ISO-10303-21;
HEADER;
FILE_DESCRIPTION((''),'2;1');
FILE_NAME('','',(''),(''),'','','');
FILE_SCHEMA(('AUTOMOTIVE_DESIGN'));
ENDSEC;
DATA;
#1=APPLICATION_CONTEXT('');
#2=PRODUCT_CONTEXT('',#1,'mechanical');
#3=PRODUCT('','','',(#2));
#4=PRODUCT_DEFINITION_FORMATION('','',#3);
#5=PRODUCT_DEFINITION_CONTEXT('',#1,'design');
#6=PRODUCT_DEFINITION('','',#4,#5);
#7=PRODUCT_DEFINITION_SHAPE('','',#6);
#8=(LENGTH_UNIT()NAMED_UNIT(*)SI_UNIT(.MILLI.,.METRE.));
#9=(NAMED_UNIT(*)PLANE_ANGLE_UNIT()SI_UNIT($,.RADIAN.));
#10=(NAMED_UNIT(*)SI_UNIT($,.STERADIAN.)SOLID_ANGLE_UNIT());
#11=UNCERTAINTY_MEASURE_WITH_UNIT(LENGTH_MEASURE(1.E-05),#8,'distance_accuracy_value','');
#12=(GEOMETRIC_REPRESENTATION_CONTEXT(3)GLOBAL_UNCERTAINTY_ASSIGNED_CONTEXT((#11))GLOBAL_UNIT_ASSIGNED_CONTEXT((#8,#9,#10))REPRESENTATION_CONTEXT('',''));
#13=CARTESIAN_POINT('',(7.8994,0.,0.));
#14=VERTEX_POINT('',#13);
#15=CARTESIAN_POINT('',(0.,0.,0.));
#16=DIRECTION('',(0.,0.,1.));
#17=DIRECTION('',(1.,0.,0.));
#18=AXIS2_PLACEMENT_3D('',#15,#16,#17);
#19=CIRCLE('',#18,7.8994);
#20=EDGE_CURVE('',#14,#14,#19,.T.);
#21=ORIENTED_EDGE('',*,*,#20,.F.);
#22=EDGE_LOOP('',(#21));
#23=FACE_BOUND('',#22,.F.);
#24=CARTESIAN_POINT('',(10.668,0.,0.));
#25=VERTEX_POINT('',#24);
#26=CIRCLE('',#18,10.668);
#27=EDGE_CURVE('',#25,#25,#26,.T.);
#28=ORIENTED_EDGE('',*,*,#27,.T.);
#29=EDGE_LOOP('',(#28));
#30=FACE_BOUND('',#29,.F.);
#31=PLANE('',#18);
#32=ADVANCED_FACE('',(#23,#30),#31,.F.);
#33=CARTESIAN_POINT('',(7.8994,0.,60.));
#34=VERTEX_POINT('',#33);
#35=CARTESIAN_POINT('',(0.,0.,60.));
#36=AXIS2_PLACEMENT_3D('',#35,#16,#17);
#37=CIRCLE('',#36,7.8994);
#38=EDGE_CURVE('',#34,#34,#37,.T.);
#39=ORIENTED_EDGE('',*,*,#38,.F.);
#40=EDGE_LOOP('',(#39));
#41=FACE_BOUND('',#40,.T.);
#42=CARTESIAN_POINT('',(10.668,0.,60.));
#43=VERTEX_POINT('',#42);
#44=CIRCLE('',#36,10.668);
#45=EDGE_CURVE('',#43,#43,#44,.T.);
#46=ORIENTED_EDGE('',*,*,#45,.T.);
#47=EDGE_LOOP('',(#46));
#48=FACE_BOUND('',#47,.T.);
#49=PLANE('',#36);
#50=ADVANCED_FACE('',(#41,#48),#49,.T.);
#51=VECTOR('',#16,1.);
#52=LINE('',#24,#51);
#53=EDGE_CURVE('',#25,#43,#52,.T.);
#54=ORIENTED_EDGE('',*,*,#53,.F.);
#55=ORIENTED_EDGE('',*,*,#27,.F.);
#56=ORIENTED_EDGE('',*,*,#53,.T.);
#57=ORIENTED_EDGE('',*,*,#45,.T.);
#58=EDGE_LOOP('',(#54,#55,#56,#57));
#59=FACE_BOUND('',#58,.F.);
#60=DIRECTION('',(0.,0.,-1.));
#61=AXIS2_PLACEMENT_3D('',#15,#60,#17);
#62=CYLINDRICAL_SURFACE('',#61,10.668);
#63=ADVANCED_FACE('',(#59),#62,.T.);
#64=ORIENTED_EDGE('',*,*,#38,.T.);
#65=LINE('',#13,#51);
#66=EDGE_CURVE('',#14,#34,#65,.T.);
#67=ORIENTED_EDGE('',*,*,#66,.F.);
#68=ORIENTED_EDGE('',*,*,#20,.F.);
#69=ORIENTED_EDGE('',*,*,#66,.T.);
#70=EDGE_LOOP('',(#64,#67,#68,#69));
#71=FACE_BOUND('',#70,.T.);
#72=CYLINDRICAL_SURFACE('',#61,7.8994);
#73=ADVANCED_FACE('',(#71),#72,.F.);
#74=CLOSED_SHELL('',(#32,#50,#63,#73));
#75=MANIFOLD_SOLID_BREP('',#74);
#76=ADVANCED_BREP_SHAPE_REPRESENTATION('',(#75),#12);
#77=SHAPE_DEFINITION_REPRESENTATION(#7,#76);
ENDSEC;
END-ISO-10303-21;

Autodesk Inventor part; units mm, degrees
ref_plane "YZ Plane" through (0, 0, 0) normal (1, 0, 0) x (0, 1, 0)
ref_plane "Start Plane" through (0, 0, 0) normal (0, 0, 1) x (1, 0, 0)
ref_plane "End Plane" through (0, 0, 60) normal (0, 0, 1) x (1, 0, 0)
sketch "Sketch" plane through (0, 0, 0) normal (0, 0, 1) x (1, 0, 0)
  circle A0 centre (0, 0) radius 7.8994
  circle A1 centre (0, 0) radius 10.668
  dimension "d0" = 21.336
  dimension "d1" = 2.7686
extrude "Body" add sketch "Sketch" along normal up to surface (60 mm away) from surface at 0
sketch "Sketch3" plane through (0, 0, 0) normal (0, 0, 1) x (1, 0, 0)
  line L0 (0, 0) -> (10, 0)
ref_plane "Work Plane3" through (0, 0, 0) normal (0, -1, 0) x (1, 0, 0)
sketch "Sketch4" plane through (0, 0, 0) normal (0, -1, 0) x (1, 0, 0)
  line L0 (-2, 0) -> (12, 0) projected
  line L1 (-2, 60) -> (12, 60) projected
  dimension "d7" = 60
equation "\"d0\" = G_H"
equation "\"d1\" = G_T"
equation "\"d2\" = G_L"
equation "\"G_H\" = 21.336"
equation "\"G_T\" = 2.7686"
equation "\"G_L\" = d7"
equation "\"G_OFFSET_START\" = 0"
equation "\"G_OFFSET_END\" = 0"
equation "\"d5\" = G_OFFSET_END + B_L"
equation "\"B_L\" = 60"
properties part number "ANSI - 1/2 x 0.109 - 2.362" material "Steel, Mild"
